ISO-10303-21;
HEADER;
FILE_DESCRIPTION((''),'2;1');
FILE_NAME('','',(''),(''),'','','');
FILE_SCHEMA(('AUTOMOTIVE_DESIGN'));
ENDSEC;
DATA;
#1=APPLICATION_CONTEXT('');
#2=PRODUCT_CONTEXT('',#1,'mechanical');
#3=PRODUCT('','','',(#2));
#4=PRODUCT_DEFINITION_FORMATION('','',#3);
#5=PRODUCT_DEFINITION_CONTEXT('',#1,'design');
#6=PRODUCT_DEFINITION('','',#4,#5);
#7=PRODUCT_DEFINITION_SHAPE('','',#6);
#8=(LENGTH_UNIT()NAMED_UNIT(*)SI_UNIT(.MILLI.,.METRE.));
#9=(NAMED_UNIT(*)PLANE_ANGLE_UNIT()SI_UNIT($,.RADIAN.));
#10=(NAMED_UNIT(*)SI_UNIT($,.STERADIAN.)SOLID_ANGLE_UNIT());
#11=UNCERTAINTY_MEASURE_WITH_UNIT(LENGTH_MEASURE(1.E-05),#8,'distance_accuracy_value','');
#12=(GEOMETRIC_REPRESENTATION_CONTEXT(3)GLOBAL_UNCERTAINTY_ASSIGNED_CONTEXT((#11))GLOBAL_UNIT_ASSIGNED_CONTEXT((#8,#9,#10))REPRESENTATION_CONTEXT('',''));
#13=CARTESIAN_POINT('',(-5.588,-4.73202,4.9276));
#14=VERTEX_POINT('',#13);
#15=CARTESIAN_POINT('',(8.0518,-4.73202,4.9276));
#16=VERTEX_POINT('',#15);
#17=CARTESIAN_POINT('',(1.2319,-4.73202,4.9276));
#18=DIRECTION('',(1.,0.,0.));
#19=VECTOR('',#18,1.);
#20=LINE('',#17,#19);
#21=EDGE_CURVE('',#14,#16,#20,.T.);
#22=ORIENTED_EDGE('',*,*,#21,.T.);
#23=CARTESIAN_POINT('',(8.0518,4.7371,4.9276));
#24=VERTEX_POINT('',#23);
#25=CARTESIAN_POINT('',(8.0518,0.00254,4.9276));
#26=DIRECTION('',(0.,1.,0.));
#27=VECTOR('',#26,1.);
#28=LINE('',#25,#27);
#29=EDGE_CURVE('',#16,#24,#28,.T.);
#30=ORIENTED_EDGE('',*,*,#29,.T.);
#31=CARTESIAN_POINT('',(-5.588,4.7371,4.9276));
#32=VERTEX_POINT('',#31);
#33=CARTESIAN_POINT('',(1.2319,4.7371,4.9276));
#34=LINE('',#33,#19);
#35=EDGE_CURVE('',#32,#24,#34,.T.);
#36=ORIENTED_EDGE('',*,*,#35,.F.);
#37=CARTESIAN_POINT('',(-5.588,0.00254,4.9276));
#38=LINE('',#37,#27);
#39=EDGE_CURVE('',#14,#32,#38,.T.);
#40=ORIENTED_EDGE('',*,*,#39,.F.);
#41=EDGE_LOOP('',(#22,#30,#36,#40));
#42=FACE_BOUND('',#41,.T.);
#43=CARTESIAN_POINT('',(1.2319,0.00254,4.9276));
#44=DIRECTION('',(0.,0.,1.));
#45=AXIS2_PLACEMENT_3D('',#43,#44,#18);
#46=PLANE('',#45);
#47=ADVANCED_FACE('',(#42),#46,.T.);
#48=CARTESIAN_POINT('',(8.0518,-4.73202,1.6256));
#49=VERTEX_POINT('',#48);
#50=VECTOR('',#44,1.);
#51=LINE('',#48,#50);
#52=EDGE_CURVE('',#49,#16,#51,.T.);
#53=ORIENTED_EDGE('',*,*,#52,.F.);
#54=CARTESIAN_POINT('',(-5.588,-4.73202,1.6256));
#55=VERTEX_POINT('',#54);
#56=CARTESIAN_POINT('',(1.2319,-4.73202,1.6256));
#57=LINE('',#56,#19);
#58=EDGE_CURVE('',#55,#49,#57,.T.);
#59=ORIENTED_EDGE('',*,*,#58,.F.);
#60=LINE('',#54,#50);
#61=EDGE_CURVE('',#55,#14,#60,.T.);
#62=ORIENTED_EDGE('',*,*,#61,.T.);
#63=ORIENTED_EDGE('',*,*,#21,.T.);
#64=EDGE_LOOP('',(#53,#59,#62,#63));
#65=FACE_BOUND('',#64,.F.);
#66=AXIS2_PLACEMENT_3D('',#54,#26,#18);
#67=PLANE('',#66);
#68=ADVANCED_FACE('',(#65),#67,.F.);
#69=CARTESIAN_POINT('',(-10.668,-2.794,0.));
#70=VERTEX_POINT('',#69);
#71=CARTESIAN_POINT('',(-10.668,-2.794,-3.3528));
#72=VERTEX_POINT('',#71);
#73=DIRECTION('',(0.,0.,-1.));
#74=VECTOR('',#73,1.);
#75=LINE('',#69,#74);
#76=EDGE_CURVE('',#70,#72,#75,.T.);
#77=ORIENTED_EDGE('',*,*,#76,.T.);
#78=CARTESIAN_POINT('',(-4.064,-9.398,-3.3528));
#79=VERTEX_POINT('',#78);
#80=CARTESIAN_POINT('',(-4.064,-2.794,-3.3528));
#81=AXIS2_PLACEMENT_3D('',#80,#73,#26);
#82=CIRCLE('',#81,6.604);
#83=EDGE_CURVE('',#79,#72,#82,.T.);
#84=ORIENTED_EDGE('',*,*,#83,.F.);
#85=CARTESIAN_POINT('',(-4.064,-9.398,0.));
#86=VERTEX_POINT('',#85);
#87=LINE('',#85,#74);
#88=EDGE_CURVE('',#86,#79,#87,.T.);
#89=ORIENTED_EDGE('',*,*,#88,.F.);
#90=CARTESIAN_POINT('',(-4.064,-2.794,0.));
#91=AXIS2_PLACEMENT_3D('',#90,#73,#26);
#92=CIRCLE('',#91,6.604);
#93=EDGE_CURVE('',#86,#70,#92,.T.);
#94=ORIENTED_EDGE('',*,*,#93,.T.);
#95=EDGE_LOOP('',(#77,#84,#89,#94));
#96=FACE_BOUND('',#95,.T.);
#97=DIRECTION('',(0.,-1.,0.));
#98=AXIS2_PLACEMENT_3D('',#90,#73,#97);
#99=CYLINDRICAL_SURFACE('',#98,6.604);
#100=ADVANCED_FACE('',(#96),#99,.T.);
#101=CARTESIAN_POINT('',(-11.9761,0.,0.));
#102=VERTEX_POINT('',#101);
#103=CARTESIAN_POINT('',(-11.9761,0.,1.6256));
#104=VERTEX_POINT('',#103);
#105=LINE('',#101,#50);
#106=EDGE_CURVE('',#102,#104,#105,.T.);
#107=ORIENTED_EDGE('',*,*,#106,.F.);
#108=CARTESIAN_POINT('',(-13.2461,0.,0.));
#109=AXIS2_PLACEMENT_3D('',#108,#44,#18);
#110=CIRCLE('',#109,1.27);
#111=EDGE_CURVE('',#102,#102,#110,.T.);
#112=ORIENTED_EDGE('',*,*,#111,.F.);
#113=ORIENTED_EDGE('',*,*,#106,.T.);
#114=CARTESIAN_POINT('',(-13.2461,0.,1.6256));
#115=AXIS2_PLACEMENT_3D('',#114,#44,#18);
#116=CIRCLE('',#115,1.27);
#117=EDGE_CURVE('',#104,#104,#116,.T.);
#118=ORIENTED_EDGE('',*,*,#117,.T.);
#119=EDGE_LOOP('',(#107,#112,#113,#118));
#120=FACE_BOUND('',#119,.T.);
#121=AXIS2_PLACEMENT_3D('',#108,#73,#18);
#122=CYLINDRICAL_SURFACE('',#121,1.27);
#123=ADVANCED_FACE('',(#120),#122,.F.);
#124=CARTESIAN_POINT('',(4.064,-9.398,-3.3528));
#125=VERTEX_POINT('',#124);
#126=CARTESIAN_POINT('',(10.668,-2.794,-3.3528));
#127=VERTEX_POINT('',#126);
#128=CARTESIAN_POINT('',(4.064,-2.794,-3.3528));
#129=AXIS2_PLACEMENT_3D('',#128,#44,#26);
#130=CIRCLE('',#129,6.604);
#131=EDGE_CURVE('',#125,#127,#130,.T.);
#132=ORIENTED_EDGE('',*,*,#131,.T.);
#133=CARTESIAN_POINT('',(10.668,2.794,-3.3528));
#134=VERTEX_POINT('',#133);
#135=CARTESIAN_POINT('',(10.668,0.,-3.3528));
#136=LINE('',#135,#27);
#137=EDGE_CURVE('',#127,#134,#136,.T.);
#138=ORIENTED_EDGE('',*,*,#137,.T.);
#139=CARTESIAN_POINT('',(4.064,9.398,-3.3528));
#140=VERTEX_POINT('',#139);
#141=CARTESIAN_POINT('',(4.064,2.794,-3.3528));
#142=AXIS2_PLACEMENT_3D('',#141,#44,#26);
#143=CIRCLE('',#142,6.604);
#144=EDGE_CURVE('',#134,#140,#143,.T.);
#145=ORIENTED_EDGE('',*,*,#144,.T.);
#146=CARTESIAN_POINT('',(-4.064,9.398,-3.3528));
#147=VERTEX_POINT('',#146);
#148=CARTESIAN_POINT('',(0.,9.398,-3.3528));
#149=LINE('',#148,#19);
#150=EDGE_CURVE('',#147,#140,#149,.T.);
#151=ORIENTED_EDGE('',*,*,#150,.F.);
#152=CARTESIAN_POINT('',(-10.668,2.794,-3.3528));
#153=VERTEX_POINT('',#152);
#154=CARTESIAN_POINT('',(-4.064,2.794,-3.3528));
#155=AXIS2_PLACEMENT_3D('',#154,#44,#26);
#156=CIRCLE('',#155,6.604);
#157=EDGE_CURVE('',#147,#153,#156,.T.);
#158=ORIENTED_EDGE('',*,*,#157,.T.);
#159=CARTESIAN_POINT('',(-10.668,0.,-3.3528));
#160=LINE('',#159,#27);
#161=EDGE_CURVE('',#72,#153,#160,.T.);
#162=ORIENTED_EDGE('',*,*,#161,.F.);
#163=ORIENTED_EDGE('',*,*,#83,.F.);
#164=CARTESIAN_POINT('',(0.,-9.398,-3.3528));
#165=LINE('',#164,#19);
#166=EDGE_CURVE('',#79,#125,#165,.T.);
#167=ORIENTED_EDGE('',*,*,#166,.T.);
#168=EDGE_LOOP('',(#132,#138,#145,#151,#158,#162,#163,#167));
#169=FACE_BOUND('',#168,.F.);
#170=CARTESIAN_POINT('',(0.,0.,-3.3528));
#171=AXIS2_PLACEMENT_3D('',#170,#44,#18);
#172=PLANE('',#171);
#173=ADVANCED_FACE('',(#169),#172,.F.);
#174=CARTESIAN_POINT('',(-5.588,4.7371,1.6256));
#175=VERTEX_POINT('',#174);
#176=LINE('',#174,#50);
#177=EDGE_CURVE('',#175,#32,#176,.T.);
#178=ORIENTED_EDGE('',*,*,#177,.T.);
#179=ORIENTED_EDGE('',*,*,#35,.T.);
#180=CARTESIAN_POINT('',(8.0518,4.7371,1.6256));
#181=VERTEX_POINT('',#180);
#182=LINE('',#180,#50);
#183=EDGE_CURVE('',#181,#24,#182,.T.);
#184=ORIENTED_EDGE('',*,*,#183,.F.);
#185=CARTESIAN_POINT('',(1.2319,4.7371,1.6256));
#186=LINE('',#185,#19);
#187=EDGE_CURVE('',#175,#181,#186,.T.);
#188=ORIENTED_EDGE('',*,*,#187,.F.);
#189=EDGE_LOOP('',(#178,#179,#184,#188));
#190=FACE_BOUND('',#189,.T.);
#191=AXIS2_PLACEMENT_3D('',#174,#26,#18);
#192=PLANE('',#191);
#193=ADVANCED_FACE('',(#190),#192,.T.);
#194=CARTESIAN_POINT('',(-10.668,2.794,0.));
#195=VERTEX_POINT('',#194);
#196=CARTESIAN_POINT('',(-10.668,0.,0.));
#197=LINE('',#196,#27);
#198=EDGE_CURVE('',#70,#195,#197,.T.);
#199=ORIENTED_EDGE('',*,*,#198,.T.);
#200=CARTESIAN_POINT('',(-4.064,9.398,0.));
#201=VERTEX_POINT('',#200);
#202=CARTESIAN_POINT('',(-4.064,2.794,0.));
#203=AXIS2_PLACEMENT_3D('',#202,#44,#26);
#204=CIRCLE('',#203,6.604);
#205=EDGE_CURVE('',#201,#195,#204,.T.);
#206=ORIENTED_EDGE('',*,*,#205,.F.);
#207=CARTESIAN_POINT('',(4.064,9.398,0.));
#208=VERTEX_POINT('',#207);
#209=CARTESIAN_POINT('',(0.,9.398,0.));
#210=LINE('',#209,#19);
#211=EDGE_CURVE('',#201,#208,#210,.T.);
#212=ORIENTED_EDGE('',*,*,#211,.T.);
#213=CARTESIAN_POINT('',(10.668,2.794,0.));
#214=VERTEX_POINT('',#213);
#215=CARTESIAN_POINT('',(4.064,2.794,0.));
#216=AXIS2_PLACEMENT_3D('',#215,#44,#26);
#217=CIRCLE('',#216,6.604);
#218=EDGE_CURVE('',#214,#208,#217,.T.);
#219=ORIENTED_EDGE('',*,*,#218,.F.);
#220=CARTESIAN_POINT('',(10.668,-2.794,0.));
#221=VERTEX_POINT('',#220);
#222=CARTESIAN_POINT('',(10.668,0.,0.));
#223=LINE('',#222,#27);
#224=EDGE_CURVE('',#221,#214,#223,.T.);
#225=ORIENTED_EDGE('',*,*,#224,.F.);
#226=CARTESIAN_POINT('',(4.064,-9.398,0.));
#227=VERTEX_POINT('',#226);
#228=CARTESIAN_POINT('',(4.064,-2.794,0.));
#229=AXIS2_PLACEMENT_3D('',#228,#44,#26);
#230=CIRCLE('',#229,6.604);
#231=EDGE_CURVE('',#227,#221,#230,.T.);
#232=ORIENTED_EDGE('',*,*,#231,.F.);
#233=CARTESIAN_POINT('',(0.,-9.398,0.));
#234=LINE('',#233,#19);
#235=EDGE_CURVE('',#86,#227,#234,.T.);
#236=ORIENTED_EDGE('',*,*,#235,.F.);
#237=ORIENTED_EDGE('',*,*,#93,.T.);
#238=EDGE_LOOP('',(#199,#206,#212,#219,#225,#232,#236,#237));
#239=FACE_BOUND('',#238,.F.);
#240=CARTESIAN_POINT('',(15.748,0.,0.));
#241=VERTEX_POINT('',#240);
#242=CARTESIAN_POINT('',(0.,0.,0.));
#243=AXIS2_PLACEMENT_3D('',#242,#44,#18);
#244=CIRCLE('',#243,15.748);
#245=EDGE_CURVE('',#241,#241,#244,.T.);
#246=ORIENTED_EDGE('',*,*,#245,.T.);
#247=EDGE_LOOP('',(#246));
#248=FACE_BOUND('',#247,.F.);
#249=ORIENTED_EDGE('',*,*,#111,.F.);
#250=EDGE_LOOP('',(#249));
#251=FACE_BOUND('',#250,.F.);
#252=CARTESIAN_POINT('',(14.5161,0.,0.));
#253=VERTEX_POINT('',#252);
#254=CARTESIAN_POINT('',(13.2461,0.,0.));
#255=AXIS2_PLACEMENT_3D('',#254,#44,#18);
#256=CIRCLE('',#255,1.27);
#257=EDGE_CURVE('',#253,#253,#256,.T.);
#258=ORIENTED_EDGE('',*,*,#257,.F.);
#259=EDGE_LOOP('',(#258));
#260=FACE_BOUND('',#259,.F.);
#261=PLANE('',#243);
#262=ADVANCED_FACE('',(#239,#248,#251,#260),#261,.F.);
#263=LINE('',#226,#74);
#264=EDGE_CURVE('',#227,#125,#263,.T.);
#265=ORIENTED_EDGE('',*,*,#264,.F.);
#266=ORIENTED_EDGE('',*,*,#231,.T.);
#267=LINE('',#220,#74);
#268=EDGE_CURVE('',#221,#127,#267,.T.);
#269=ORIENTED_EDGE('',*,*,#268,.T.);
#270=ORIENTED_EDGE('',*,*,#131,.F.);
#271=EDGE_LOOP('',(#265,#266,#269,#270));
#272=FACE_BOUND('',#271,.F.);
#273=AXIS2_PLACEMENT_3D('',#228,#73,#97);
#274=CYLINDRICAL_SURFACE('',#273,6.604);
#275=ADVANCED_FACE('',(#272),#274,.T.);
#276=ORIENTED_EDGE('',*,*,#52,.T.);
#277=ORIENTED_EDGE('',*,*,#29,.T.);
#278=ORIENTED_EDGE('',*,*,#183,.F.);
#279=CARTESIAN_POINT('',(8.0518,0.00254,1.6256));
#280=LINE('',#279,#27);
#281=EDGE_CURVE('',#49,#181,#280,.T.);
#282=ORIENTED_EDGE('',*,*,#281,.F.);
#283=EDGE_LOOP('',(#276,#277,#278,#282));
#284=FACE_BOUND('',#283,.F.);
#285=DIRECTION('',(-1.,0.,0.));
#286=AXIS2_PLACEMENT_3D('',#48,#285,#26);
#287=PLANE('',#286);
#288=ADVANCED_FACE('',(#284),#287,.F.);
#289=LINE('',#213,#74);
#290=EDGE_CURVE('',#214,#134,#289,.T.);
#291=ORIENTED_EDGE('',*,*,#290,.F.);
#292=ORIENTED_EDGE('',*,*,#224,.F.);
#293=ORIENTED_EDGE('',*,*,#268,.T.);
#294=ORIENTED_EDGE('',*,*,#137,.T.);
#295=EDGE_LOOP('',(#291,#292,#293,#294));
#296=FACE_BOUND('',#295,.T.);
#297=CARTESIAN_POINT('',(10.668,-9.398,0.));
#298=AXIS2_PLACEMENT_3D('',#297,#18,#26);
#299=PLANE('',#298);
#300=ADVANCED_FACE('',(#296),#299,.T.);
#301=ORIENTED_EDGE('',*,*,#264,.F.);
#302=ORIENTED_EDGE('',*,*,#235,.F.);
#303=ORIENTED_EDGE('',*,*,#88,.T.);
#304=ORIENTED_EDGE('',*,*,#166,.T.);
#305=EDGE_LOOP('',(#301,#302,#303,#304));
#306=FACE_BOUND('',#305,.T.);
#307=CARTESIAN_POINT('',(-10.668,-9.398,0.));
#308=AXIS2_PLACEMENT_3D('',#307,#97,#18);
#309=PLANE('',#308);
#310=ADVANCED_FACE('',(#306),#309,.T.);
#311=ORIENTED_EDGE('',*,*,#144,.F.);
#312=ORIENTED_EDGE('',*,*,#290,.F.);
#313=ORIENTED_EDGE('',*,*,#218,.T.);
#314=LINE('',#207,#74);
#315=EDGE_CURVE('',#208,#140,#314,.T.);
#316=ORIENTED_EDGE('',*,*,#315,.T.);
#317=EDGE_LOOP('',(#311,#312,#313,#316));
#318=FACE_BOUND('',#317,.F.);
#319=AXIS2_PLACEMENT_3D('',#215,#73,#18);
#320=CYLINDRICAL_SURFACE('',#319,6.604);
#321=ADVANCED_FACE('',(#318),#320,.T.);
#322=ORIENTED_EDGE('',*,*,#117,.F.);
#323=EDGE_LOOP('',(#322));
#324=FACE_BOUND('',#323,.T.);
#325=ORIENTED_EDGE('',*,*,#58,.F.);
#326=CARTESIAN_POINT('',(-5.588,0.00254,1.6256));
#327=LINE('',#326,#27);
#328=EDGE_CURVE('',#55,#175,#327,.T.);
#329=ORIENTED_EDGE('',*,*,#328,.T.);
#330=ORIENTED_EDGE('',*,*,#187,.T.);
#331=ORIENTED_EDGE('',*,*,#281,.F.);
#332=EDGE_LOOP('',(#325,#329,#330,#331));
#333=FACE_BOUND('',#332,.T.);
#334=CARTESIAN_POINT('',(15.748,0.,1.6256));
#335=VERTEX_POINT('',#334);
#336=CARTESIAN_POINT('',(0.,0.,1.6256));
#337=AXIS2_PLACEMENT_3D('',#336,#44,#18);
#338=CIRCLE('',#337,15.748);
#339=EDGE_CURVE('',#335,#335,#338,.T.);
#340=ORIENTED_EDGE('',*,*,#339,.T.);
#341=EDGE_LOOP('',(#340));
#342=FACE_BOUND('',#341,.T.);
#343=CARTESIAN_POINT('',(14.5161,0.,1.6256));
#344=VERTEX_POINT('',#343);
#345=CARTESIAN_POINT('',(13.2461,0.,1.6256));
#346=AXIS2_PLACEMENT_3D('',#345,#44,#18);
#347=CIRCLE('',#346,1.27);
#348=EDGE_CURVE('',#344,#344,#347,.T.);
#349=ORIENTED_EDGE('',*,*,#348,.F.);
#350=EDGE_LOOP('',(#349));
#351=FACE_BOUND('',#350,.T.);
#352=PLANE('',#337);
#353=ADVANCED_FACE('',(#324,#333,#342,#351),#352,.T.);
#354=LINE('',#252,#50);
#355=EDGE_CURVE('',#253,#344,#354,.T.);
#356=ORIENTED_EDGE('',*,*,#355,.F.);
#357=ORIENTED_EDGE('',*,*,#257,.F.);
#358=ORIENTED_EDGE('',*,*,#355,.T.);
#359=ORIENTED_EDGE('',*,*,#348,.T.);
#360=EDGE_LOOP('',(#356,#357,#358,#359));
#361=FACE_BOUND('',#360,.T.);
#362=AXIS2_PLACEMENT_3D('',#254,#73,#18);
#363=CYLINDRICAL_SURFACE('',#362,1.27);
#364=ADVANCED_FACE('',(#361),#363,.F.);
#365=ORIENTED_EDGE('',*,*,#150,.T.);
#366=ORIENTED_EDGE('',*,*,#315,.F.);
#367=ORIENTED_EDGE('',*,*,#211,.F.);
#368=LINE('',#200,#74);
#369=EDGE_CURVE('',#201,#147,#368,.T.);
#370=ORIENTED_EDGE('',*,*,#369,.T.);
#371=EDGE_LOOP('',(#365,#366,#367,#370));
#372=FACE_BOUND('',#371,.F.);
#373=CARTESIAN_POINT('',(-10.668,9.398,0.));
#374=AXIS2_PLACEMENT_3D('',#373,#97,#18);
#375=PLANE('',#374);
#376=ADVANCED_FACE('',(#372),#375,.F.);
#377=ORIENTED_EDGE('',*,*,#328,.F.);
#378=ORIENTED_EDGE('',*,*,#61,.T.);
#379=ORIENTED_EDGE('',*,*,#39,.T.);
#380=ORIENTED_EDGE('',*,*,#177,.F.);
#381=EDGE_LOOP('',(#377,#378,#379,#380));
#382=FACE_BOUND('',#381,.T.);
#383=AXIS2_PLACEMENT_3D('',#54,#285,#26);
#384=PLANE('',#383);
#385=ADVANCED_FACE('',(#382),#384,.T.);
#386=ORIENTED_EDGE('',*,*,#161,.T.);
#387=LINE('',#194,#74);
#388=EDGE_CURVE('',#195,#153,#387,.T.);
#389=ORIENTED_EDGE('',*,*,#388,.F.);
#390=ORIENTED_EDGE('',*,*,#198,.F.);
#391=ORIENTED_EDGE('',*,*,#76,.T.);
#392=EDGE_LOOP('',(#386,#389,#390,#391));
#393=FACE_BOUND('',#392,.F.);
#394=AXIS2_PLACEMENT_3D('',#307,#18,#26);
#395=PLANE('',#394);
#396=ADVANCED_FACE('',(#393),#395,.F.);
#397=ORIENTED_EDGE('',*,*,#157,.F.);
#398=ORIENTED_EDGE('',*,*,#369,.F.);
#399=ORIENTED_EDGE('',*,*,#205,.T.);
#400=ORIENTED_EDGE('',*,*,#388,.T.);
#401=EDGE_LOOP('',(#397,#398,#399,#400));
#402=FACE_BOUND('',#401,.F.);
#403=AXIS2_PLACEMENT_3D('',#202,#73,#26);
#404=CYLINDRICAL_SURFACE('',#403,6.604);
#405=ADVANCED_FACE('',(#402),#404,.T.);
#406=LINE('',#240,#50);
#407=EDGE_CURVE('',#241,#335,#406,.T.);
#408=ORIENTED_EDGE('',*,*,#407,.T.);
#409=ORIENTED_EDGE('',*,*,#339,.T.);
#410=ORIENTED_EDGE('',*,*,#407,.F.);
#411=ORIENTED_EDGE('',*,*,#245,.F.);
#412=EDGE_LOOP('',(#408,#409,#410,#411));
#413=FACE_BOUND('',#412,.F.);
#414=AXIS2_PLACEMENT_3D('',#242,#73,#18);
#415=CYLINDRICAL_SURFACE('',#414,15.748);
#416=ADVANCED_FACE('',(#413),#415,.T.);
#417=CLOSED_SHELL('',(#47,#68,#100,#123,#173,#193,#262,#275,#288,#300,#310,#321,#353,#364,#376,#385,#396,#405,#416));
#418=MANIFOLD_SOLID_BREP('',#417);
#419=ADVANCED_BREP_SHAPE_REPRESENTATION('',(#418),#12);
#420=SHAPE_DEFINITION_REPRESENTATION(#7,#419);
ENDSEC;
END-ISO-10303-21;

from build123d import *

# Parameters (mm, degrees)
F0_R     = 15.748
F0_R_2   = 1.27
F1_DEPTH = 1.6256
F2_W     = 13.6398
F2_H     = 9.46912
F3_DEPTH = 3.302
F4_W     = 21.336
F4_H     = 18.796
F5_DEPTH = 3.3528
F6_R     = 6.604


with BuildPart() as f1:
    # F0 (on Top) → F1 (new body)
    with BuildSketch(Plane.XY):
        Circle(F0_R)
        with Locations((-13.2461, 0)):
            Circle(F0_R_2, mode=Mode.SUBTRACT)
        with Locations((13.2461, 0)):
            Circle(F0_R_2, mode=Mode.SUBTRACT)
    extrude(amount=F1_DEPTH)

    # F2 (on face) → F3 (join)
    with BuildSketch(Plane.XY.offset(1.6256)):
        with Locations((1.2319, 0.00254)):
            Rectangle(F2_W, F2_H)
    extrude(amount=F3_DEPTH)

    # F4 (on Top) → F5 (join)
    with BuildSketch(Plane.XY):
        Rectangle(F4_W, F4_H)
    extrude(amount=-F5_DEPTH)

    # F6
    f6_edges = [f1.edges().sort_by_distance(p)[0] for p in [
        (10.668, -9.398, -1.6764),
        (-10.668, -9.398, -1.6764),
        (-10.668, 9.398, -1.6764),
        (10.668, 9.398, -1.6764),
    ]]
    fillet(f6_edges, radius=F6_R)


solid = f1.part
